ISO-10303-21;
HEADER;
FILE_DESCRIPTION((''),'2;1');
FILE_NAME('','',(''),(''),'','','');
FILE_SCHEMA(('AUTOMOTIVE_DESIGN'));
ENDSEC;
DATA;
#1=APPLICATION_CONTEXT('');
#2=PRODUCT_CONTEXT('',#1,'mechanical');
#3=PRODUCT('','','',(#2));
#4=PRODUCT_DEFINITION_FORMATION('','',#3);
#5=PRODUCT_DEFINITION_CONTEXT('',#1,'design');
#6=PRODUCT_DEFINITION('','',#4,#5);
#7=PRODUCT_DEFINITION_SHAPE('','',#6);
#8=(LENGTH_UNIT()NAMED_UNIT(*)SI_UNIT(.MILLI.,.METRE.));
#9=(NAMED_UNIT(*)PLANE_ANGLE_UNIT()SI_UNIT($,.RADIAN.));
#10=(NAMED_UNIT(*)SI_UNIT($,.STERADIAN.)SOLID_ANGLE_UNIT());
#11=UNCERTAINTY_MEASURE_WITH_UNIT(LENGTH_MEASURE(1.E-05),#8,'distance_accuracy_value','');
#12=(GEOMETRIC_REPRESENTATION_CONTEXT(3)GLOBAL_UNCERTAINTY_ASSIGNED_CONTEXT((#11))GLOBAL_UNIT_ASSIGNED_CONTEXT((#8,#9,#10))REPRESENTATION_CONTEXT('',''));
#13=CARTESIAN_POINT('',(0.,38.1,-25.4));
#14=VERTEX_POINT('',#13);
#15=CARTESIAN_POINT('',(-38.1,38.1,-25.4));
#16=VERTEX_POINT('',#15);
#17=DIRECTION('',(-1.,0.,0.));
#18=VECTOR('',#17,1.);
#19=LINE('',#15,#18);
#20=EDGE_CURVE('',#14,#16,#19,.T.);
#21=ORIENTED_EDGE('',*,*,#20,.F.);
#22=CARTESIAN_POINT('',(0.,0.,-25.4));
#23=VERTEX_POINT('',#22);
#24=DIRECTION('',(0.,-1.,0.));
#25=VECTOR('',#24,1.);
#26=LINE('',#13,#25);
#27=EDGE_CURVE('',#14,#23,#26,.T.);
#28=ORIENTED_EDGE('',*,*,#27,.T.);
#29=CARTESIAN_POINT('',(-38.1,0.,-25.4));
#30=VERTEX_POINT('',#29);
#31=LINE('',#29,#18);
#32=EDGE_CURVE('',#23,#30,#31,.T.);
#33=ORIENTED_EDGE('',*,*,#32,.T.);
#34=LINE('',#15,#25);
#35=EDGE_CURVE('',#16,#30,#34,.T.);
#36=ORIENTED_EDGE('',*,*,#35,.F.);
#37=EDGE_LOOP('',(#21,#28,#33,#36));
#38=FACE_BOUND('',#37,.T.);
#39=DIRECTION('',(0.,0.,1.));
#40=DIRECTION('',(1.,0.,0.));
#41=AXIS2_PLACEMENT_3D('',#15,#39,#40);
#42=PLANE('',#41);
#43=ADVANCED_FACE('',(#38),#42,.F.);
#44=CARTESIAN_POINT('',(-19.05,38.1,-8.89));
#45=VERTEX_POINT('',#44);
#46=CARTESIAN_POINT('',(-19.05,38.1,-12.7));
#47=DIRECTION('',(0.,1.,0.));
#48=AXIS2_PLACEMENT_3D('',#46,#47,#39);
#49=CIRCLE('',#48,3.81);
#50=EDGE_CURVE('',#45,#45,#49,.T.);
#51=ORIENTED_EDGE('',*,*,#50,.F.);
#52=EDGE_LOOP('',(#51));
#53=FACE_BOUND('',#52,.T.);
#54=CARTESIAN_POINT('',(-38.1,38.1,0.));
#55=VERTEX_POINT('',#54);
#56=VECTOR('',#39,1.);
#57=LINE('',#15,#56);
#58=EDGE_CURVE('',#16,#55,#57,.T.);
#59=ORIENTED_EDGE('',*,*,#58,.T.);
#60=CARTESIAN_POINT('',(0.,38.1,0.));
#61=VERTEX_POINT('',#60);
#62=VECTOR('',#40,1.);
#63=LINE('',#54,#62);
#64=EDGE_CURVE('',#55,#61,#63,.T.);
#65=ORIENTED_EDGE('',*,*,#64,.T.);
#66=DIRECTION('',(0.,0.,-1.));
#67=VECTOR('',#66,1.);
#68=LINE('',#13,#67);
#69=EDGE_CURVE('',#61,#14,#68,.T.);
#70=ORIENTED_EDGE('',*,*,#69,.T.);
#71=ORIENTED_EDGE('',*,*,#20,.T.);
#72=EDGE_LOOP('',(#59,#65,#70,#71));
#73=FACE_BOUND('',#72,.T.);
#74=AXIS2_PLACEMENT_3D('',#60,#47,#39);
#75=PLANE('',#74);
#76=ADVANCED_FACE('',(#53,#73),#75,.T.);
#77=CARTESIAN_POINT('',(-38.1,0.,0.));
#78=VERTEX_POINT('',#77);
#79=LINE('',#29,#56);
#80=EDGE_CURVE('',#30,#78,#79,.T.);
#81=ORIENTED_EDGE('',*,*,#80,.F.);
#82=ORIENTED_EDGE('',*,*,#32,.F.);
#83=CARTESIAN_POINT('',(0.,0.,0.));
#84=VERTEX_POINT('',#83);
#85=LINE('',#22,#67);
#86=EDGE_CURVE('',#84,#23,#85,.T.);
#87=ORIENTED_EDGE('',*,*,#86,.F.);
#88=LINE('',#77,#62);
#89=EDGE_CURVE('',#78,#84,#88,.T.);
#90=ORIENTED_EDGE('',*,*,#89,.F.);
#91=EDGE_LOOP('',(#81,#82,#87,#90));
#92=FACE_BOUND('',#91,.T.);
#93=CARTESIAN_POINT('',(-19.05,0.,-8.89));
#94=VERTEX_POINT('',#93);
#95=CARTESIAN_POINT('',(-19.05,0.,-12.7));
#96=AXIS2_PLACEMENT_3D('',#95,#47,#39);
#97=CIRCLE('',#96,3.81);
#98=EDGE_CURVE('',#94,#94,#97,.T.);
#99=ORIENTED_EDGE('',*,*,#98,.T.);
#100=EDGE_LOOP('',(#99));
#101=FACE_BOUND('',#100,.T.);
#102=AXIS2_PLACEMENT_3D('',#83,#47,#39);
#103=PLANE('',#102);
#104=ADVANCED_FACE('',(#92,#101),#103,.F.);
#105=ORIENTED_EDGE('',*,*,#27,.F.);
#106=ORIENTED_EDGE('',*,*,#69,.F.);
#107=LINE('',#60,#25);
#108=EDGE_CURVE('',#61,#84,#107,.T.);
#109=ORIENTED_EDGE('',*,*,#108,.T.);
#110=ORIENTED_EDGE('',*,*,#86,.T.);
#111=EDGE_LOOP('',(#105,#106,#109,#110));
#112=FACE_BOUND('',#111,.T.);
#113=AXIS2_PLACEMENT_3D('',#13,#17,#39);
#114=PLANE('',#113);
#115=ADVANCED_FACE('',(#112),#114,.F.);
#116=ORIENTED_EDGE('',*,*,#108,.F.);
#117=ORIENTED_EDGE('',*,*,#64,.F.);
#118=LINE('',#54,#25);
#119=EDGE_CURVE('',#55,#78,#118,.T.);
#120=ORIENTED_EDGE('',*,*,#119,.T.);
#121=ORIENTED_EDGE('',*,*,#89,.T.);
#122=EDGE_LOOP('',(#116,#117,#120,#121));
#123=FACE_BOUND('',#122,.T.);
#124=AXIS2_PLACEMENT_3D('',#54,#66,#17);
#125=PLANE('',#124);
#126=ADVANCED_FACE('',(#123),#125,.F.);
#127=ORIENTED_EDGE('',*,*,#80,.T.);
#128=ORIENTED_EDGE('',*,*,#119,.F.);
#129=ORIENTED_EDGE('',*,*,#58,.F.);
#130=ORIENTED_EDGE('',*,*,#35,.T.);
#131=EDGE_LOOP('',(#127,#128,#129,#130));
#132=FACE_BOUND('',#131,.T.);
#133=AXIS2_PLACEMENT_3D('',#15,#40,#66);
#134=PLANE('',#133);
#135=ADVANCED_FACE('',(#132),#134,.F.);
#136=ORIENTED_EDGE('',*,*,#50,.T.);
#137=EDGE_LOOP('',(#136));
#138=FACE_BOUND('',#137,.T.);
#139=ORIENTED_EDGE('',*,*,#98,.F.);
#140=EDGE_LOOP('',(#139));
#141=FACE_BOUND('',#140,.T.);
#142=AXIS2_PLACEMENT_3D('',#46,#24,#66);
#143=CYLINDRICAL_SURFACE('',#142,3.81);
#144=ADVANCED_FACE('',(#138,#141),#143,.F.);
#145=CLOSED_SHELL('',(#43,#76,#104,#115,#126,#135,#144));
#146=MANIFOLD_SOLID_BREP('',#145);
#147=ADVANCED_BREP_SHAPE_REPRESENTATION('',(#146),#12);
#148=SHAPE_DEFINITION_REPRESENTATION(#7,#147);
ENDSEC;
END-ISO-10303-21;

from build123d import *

# Parameters (mm, degrees)
SKETCH1_W           = 38.1
SKETCH1_H           = 25.4
SKETCH1_R           = 3.81
BOSS_EXTRUDE1_DEPTH = 38.1


with BuildPart() as part:
    # Sketch1 → Boss-Extrude1 (new body)
    with BuildSketch(Plane(origin=(0, 0, 0), x_dir=(1, 0, 0), z_dir=(0, 1, 0))):
        with Locations((-19.05, 12.7)):
            Rectangle(SKETCH1_W, SKETCH1_H)
        with Locations((-19.05, 12.7)):
            Circle(SKETCH1_R, mode=Mode.SUBTRACT)
    extrude(amount=BOSS_EXTRUDE1_DEPTH)


solid = part.part
